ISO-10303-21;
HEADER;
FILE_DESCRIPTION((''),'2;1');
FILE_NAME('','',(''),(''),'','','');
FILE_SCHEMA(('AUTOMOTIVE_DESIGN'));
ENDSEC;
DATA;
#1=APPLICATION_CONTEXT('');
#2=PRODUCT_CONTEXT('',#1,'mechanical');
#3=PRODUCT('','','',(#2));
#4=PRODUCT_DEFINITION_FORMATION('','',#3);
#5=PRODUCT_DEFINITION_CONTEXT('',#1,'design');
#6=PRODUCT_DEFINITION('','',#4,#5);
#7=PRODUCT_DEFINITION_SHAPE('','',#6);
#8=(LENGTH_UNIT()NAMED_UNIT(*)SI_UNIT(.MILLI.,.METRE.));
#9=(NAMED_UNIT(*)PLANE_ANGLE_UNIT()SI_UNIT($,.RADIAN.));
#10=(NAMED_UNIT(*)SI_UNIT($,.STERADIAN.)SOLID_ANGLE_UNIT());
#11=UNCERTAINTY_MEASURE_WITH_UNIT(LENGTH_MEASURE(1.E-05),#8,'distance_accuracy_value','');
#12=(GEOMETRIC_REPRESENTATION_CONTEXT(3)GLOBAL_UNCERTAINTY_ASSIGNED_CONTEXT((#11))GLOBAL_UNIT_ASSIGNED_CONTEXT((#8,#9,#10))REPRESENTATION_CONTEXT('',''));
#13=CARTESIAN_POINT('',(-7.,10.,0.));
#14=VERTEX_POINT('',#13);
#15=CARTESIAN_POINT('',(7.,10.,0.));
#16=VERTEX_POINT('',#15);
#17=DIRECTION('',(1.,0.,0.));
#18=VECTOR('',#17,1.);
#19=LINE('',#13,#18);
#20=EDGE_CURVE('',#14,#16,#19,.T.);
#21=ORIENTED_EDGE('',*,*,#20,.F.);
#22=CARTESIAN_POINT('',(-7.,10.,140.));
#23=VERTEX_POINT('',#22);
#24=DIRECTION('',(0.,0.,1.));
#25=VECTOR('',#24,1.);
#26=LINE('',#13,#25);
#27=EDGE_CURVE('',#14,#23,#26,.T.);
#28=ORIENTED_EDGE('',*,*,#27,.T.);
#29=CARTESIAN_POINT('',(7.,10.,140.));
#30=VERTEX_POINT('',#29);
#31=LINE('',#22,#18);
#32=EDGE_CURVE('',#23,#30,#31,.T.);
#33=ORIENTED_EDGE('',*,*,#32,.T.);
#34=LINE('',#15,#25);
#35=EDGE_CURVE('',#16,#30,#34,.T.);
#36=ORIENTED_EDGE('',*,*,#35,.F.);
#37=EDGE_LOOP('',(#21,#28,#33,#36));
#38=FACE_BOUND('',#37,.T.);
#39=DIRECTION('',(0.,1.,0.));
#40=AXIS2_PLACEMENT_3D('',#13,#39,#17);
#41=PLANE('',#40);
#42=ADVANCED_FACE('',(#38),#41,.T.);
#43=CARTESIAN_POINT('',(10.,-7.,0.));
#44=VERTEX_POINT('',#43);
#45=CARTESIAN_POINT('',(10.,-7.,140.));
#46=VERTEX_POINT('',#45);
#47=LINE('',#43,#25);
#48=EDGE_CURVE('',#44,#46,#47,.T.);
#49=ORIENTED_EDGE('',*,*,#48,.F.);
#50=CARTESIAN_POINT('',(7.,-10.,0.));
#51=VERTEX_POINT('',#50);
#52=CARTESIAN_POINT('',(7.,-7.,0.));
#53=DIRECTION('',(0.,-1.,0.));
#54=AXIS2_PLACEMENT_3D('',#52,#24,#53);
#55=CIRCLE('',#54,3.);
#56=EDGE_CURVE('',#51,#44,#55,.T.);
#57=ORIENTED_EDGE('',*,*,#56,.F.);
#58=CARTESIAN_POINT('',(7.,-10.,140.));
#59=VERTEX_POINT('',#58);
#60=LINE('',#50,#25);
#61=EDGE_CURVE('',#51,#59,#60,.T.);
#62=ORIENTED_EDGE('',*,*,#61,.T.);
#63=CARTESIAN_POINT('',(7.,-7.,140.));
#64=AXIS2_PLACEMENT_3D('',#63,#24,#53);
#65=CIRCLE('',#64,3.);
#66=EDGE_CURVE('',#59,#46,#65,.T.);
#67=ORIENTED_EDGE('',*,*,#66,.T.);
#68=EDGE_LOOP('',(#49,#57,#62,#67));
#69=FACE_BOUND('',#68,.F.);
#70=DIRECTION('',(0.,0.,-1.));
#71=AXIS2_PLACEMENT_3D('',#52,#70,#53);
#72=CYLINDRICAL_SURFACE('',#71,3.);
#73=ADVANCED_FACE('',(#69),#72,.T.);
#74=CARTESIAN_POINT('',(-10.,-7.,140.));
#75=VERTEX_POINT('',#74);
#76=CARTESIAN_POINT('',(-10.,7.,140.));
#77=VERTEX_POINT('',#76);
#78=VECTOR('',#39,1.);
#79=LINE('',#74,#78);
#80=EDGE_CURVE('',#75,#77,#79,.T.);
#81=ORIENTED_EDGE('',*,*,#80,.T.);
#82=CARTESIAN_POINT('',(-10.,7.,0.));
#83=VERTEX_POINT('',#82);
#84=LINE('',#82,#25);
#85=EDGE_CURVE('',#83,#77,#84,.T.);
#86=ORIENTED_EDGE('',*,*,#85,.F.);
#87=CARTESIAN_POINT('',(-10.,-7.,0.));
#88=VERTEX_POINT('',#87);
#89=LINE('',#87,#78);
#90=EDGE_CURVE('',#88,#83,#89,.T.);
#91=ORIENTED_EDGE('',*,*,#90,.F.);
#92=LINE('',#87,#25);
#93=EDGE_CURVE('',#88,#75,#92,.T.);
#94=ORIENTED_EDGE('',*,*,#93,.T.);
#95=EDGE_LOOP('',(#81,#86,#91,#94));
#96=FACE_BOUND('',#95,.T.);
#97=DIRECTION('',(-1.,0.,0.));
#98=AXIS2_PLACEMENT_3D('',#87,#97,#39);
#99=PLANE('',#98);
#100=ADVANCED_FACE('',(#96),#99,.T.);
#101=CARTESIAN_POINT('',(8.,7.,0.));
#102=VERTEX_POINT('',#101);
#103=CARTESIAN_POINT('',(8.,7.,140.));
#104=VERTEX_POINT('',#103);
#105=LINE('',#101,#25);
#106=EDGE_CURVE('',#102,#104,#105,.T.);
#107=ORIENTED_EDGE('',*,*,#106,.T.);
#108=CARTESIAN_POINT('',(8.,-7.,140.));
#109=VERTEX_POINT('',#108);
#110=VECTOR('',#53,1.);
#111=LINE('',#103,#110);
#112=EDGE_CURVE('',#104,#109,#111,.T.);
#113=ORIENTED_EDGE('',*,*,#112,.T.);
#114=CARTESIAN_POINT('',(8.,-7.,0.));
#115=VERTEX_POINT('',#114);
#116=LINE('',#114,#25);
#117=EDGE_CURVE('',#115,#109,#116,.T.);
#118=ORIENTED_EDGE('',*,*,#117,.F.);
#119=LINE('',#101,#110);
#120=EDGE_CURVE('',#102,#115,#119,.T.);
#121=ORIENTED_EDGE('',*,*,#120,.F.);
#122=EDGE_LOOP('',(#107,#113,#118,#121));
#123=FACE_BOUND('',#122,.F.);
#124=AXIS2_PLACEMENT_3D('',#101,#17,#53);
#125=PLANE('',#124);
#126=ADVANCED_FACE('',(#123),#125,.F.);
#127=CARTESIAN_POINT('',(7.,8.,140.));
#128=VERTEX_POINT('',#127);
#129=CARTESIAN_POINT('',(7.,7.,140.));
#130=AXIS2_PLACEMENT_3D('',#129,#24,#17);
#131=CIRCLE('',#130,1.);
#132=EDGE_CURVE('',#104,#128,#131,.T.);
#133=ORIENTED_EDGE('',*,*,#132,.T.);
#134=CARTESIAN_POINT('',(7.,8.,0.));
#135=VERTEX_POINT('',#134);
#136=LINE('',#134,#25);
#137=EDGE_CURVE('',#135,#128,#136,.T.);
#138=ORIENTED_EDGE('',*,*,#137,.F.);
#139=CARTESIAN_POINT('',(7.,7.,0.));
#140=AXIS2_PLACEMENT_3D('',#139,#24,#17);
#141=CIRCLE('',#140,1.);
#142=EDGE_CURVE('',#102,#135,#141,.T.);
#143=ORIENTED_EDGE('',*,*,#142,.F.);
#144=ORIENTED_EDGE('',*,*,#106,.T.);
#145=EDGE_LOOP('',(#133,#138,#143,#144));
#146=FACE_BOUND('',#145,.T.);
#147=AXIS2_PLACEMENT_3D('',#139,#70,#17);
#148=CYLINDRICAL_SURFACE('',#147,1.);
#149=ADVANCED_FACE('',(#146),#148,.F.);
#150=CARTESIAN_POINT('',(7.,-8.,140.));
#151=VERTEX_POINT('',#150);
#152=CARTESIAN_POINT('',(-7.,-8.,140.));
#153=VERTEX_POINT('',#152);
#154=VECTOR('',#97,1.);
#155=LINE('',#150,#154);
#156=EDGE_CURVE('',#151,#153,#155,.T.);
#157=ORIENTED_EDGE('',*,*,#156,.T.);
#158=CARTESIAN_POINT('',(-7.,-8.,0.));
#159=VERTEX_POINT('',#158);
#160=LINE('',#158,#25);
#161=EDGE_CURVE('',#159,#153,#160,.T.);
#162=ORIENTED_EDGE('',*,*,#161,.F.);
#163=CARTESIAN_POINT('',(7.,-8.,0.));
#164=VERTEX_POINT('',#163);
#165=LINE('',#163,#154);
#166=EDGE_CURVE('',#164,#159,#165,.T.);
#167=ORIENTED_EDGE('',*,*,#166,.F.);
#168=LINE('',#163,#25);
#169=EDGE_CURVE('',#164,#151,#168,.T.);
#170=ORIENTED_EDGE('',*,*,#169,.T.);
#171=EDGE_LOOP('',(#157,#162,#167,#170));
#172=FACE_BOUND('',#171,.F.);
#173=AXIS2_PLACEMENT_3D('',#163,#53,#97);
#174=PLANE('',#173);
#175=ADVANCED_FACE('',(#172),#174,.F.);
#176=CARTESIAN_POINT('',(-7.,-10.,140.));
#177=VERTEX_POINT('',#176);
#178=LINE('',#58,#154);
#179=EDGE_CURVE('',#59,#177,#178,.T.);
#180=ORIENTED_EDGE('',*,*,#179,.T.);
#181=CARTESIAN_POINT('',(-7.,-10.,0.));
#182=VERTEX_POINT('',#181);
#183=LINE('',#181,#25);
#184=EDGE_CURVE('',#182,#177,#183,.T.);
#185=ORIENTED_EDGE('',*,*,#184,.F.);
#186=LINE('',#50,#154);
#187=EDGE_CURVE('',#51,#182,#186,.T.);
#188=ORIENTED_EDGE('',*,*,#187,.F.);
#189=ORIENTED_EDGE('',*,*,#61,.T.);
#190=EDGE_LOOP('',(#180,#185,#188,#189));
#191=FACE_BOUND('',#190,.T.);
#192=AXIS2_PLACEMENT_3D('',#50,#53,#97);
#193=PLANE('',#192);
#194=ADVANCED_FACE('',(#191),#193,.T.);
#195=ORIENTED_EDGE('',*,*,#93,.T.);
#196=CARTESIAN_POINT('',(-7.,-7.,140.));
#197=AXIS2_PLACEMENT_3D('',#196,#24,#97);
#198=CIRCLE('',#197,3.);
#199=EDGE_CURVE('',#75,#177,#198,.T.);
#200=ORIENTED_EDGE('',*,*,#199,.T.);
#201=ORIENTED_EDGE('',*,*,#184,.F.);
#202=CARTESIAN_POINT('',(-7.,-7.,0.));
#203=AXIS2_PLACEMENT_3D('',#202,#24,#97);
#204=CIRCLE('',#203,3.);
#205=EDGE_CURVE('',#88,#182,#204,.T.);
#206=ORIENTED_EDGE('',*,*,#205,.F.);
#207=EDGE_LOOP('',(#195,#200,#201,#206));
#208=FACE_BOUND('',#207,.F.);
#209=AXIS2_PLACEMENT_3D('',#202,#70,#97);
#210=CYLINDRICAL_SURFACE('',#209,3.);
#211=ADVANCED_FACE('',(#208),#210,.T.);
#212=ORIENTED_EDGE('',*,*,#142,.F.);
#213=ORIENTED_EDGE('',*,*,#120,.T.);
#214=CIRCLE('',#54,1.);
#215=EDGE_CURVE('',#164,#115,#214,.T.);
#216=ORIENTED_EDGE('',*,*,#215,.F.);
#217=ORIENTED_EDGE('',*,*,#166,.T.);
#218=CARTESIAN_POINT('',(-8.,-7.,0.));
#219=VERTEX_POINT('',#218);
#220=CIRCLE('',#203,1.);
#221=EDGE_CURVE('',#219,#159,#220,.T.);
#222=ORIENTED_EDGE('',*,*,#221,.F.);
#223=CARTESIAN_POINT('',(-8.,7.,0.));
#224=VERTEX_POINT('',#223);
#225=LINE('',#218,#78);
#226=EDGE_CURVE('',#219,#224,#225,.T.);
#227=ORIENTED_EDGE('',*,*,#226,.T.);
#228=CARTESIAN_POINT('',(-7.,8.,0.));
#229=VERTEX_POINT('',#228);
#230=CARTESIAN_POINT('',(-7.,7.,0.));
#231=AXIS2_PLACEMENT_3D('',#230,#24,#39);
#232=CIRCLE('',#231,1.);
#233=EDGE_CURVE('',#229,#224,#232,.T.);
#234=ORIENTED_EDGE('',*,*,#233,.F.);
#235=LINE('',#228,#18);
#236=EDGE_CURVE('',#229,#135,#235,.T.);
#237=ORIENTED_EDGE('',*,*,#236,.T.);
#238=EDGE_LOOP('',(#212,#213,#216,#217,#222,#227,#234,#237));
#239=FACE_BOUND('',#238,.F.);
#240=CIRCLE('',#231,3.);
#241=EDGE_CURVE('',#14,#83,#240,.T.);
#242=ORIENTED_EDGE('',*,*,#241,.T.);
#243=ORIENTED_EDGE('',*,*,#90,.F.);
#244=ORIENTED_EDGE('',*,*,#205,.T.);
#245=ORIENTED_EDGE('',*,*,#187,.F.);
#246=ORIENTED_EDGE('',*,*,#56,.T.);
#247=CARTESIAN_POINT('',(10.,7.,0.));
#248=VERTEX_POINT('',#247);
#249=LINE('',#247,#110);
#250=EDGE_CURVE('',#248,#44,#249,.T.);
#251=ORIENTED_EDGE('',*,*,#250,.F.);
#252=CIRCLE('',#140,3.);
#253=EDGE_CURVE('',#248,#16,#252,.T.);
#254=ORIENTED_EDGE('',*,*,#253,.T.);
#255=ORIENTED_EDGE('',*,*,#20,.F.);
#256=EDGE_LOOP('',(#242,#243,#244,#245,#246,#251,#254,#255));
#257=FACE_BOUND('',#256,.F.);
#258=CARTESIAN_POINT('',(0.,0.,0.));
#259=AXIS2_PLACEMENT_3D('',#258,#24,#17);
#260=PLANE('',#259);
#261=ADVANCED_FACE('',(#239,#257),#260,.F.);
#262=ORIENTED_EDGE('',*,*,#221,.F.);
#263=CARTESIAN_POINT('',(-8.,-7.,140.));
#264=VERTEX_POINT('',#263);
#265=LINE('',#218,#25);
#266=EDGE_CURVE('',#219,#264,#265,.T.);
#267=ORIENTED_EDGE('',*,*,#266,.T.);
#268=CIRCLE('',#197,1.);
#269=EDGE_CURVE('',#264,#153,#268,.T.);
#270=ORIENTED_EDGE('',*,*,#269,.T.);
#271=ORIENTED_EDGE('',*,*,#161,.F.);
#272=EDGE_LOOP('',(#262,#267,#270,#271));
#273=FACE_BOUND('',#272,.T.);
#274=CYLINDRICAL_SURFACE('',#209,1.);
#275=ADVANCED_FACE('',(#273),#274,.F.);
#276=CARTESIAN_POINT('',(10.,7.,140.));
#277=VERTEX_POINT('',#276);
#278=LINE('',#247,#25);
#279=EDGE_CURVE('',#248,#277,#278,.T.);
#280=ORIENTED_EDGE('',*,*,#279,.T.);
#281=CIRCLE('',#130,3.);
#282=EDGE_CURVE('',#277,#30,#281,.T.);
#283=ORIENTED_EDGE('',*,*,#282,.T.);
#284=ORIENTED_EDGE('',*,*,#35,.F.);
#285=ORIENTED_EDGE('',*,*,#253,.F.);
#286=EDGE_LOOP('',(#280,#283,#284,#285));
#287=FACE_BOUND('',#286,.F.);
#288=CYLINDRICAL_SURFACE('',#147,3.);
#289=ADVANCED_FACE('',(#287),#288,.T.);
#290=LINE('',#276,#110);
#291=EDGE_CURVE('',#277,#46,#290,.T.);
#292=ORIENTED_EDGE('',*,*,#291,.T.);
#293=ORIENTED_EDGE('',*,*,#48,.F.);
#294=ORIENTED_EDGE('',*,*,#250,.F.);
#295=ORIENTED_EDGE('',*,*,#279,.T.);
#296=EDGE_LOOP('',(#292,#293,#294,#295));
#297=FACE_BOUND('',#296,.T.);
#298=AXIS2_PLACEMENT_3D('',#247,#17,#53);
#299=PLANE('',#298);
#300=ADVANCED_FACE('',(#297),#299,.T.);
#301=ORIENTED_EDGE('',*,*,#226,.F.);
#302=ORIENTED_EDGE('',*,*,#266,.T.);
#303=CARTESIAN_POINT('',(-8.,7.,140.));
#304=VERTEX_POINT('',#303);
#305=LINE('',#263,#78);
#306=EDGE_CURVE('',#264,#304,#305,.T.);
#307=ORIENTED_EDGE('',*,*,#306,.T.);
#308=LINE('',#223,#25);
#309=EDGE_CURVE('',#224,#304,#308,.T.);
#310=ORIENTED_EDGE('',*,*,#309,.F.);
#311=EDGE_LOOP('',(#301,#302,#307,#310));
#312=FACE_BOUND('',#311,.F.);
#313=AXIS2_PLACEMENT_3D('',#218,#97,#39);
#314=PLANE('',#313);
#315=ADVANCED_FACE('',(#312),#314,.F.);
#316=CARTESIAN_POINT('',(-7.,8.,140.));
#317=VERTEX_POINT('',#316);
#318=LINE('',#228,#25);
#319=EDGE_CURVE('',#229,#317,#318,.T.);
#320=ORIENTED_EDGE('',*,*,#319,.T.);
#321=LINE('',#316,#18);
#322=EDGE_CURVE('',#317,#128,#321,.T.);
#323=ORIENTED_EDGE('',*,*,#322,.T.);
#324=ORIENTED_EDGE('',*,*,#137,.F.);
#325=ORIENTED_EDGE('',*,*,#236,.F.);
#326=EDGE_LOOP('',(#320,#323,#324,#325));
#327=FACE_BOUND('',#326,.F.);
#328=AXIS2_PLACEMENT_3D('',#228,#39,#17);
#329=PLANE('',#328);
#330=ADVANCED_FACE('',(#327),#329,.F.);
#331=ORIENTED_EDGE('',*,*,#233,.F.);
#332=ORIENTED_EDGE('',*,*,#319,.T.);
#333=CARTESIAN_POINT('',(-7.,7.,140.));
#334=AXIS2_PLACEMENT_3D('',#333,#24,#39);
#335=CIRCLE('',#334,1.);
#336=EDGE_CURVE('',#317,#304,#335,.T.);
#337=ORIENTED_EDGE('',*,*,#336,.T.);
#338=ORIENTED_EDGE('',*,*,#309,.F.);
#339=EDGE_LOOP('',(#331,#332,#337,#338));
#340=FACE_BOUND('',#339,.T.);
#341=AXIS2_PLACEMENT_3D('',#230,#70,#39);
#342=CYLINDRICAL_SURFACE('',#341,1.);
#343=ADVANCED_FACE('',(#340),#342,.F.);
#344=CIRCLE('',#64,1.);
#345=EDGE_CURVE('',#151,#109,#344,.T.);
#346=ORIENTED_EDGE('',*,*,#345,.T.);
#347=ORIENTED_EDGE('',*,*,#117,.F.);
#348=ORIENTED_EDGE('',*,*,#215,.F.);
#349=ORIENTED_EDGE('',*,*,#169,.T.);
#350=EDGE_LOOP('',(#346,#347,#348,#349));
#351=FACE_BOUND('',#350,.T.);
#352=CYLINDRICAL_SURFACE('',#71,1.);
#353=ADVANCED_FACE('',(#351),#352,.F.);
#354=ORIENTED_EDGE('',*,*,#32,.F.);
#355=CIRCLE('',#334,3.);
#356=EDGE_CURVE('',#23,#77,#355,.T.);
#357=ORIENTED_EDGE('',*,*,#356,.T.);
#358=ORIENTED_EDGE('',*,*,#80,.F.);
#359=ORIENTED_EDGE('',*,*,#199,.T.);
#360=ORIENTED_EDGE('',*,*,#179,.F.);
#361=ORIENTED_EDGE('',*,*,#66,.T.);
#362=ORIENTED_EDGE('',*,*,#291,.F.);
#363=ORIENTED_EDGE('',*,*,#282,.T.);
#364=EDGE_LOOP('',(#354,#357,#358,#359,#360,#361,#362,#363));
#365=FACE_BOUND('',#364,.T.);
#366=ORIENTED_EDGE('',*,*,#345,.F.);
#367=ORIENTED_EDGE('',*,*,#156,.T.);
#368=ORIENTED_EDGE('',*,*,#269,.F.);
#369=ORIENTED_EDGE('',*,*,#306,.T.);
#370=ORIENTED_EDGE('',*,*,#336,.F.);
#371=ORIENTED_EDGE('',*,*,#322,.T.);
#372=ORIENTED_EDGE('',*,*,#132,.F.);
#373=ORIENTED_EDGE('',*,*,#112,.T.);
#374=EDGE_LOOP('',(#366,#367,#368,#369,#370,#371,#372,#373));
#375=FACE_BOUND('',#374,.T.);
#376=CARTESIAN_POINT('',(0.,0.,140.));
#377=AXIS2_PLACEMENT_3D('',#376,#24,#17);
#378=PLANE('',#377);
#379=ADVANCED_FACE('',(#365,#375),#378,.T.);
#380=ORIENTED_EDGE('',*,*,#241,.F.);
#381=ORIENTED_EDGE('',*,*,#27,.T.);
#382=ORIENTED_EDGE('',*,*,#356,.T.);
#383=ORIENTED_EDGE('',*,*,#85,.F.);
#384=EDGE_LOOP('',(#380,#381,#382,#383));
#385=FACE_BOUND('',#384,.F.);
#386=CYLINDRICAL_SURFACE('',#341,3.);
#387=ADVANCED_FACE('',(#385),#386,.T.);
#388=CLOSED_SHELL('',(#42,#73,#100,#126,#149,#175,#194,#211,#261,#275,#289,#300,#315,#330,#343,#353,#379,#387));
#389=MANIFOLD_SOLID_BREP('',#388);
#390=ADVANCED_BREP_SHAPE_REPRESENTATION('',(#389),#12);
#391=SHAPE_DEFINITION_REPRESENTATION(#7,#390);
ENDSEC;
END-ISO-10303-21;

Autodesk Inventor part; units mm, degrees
ref_plane "Start Plane" through (0, 0, 0) normal (0, 0, 1) x (1, 0, 0)
ref_plane "End Plane" through (0, 0, 140) normal (0, 0, 1) x (1, 0, 0)
sketch "Sketch" plane through (0, 0, 0) normal (0, 0, 1) x (1, 0, 0)
  line L0 (-10, -7) -> (-10, 7)
  line L1 (-7, 10) -> (7, 10)
  line L2 (10, 7) -> (10, -7)
  line L3 (7, -10) -> (-7, -10)
  arc A0 (-10, -7) -> (-7, -10) centre (-7, -7) ccw
  arc A1 (-7, 10) -> (-10, 7) centre (-7, 7) ccw
  arc A2 (10, 7) -> (7, 10) centre (7, 7) ccw
  arc A3 (7, -10) -> (10, -7) centre (7, -7) ccw
  arc A4 (-7, 8) -> (-8, 7) centre (-7, 7) ccw
  line L4 (-7, 8) -> (7, 8)
  arc A5 (8, 7) -> (7, 8) centre (7, 7) ccw
  line L5 (8, 7) -> (8, -7)
  arc A6 (7, -8) -> (8, -7) centre (7, -7) ccw
  line L6 (7, -8) -> (-7, -8)
  arc A7 (-8, -7) -> (-7, -8) centre (-7, -7) ccw
  line L7 (-8, -7) -> (-8, 7)
  line L8 (0, 14.8698) -> (0, -14.8698) construction
  line L9 (-14.8698, 0) -> (14.8698, 0) construction
  dimension "d7" = 3
  dimension "d10" = 20
  dimension "d11" = 20
  dimension "d12" = 2
  dimension "d15" = 10
  dimension "d16" = 10
extrude "Body" add sketch "Sketch" along normal up to surface (140 mm away) from surface at 0
sketch "Sketch3" plane through (0, 0, 0) normal (0, 0, 1) x (1, 0, 0)
  line L0 (0, 0) -> (10, 0)
ref_plane "Work Plane3" through (0, 0, 0) normal (0, -1, 0) x (1, 0, 0)
sketch "Sketch4" plane through (0, 0, 0) normal (0, -1, 0) x (1, 0, 0)
  line L0 (-2, 0) -> (12, 0)
  line L1 (-2, 140) -> (12, 140)
  dimension "d18" = 140
ref_plane "Work Plane5" through (-7, -100, 140) normal (0, 0, 1) x (1, 0, 0)
split "Split2" plane through (-7, -100, 140) removes the side toward (0, 0, 1)
equation "\"d7\" = G_IR"
equation "\"d10\" = G_H"
equation "\"d11\" = G_W"
equation "\"d12\" = G_T"
equation "\"d15\" = 0.5 * d10"
equation "\"d16\" = 0.5 * d11"
equation "\"d3\" = G_L"
equation "\"G_W\" = 20"
equation "\"G_H\" = 20"
equation "\"G_T\" = 2"
equation "\"G_IR\" = 3"
equation "\"G_L\" = d18"
equation "\"G_OFFSET_START\" = 0"
properties part number "ISO 12633-2 - 20x20x2 - 140" material "Steel, Mild"
